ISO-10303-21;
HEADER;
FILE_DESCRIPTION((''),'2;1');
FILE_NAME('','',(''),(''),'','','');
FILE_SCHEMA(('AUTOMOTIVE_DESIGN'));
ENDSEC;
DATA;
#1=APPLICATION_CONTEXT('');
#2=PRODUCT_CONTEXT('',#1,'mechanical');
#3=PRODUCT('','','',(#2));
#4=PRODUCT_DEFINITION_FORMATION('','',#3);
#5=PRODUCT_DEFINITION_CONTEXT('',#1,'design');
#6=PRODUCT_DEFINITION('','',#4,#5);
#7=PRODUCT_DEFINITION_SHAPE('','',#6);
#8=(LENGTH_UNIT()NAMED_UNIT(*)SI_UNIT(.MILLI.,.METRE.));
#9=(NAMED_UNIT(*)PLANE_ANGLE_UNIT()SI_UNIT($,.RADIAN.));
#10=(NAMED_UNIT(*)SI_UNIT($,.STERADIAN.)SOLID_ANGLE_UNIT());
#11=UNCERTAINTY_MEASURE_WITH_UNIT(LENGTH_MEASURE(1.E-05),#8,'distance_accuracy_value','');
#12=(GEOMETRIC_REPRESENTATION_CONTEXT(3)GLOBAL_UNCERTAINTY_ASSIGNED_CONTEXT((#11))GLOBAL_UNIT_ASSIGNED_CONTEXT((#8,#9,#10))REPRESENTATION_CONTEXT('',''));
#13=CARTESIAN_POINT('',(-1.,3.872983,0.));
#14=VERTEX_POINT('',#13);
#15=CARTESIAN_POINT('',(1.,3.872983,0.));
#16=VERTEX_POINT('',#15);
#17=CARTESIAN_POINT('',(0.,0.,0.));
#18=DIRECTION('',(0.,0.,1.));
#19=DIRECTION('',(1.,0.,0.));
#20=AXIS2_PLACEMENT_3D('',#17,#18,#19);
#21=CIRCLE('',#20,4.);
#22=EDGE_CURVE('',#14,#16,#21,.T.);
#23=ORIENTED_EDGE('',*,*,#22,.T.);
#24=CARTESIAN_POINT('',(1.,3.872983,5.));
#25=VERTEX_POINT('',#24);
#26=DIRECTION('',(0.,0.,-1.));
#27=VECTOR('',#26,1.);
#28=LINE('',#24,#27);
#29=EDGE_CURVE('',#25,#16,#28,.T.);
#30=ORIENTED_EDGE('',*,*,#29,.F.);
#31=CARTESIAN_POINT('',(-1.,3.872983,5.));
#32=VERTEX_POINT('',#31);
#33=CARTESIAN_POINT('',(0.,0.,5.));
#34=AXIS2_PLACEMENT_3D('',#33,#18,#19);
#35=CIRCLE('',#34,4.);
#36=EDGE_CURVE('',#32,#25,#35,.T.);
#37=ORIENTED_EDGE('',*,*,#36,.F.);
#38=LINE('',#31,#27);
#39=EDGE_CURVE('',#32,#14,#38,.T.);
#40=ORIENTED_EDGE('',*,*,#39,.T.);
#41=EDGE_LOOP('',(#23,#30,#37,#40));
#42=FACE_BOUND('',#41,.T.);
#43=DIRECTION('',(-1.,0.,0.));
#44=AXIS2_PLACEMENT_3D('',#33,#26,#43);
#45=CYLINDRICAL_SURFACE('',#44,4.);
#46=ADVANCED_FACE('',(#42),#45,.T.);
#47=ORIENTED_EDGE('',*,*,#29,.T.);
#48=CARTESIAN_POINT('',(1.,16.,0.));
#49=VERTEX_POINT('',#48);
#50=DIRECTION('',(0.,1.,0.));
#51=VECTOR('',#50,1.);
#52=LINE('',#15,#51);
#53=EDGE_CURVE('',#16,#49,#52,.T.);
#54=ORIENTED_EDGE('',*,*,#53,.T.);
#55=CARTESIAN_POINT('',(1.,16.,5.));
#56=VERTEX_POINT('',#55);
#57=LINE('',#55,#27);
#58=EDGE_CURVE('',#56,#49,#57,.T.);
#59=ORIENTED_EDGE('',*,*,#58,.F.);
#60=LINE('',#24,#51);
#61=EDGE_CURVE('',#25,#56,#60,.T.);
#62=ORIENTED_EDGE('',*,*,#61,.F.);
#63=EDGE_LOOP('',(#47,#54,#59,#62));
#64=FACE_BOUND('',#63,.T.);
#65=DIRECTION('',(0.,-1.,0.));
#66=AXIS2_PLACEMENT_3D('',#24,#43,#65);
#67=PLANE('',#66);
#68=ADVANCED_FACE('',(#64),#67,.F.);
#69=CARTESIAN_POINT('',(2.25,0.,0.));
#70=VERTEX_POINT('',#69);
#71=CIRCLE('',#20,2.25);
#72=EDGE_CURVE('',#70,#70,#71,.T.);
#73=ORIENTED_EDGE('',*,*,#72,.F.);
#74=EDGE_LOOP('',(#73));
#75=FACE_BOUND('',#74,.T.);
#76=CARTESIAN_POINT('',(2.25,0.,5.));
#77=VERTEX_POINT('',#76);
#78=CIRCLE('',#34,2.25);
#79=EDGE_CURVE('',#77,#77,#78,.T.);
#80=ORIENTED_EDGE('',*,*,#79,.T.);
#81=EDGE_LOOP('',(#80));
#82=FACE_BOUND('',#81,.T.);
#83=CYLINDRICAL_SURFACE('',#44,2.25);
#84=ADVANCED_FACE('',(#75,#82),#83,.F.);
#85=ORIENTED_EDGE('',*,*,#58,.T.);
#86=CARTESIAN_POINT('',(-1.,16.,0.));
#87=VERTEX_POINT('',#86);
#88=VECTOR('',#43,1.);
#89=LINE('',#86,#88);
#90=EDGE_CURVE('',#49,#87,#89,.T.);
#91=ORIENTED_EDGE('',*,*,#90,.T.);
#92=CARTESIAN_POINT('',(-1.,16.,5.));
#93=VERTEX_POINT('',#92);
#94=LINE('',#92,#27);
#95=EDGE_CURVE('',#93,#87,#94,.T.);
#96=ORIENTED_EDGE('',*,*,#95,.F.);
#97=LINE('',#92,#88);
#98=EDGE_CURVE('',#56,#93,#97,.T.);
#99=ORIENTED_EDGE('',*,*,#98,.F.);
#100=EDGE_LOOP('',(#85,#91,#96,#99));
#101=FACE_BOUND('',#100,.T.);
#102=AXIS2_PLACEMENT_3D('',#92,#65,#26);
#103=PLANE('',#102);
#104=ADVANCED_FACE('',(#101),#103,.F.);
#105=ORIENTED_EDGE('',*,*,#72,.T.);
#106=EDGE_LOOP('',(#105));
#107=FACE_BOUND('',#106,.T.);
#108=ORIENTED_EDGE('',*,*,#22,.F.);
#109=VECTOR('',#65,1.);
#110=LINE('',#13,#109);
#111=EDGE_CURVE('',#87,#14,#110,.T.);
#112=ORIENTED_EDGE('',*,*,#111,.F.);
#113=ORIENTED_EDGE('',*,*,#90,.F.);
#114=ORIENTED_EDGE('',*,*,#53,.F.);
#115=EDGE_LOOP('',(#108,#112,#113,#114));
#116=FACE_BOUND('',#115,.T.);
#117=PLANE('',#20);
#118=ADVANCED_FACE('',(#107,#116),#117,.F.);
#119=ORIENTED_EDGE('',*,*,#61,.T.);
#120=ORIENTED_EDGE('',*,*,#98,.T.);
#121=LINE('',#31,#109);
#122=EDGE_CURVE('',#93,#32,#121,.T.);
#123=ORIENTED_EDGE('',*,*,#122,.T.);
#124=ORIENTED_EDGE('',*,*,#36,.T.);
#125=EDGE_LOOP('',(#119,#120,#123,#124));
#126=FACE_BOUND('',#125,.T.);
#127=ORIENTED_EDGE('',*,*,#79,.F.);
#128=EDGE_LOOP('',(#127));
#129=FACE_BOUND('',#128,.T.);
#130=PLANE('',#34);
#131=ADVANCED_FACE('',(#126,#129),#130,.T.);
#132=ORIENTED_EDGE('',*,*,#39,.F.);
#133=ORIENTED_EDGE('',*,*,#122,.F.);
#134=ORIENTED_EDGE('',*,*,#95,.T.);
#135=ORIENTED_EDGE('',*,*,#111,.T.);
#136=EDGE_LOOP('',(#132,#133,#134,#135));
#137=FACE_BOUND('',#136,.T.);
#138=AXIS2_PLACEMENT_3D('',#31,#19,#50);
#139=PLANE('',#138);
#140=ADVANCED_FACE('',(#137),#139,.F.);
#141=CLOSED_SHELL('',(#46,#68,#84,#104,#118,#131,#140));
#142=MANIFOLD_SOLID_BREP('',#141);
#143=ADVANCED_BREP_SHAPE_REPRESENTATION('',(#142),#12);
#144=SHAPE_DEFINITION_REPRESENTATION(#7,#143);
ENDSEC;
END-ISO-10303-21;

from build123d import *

# Parameters (mm, degrees)
SKETCH2_R           = 2.25
BOSS_EXTRUDE2_DEPTH = 5


with BuildPart() as part:
    # Sketch2 → Boss-Extrude2 (new body)
    with BuildSketch(Plane(origin=(0, 0, 0), x_dir=(0, 1, 0), z_dir=(0, 0, 1))):
        with BuildLine():
            Line((3.872983346, 1), (16, 1))
            Line((16, 1), (16, -1))
            Line((16, -1), (3.872983346, -1))
            ThreePointArc((3.872983346, -1), (-4, 0), (3.872983346, 1))
        make_face()
        with Locations(Location((0, 0, 0), (0, 0, 270))):
            Circle(SKETCH2_R, mode=Mode.SUBTRACT)
    extrude(amount=BOSS_EXTRUDE2_DEPTH)


solid = part.part
